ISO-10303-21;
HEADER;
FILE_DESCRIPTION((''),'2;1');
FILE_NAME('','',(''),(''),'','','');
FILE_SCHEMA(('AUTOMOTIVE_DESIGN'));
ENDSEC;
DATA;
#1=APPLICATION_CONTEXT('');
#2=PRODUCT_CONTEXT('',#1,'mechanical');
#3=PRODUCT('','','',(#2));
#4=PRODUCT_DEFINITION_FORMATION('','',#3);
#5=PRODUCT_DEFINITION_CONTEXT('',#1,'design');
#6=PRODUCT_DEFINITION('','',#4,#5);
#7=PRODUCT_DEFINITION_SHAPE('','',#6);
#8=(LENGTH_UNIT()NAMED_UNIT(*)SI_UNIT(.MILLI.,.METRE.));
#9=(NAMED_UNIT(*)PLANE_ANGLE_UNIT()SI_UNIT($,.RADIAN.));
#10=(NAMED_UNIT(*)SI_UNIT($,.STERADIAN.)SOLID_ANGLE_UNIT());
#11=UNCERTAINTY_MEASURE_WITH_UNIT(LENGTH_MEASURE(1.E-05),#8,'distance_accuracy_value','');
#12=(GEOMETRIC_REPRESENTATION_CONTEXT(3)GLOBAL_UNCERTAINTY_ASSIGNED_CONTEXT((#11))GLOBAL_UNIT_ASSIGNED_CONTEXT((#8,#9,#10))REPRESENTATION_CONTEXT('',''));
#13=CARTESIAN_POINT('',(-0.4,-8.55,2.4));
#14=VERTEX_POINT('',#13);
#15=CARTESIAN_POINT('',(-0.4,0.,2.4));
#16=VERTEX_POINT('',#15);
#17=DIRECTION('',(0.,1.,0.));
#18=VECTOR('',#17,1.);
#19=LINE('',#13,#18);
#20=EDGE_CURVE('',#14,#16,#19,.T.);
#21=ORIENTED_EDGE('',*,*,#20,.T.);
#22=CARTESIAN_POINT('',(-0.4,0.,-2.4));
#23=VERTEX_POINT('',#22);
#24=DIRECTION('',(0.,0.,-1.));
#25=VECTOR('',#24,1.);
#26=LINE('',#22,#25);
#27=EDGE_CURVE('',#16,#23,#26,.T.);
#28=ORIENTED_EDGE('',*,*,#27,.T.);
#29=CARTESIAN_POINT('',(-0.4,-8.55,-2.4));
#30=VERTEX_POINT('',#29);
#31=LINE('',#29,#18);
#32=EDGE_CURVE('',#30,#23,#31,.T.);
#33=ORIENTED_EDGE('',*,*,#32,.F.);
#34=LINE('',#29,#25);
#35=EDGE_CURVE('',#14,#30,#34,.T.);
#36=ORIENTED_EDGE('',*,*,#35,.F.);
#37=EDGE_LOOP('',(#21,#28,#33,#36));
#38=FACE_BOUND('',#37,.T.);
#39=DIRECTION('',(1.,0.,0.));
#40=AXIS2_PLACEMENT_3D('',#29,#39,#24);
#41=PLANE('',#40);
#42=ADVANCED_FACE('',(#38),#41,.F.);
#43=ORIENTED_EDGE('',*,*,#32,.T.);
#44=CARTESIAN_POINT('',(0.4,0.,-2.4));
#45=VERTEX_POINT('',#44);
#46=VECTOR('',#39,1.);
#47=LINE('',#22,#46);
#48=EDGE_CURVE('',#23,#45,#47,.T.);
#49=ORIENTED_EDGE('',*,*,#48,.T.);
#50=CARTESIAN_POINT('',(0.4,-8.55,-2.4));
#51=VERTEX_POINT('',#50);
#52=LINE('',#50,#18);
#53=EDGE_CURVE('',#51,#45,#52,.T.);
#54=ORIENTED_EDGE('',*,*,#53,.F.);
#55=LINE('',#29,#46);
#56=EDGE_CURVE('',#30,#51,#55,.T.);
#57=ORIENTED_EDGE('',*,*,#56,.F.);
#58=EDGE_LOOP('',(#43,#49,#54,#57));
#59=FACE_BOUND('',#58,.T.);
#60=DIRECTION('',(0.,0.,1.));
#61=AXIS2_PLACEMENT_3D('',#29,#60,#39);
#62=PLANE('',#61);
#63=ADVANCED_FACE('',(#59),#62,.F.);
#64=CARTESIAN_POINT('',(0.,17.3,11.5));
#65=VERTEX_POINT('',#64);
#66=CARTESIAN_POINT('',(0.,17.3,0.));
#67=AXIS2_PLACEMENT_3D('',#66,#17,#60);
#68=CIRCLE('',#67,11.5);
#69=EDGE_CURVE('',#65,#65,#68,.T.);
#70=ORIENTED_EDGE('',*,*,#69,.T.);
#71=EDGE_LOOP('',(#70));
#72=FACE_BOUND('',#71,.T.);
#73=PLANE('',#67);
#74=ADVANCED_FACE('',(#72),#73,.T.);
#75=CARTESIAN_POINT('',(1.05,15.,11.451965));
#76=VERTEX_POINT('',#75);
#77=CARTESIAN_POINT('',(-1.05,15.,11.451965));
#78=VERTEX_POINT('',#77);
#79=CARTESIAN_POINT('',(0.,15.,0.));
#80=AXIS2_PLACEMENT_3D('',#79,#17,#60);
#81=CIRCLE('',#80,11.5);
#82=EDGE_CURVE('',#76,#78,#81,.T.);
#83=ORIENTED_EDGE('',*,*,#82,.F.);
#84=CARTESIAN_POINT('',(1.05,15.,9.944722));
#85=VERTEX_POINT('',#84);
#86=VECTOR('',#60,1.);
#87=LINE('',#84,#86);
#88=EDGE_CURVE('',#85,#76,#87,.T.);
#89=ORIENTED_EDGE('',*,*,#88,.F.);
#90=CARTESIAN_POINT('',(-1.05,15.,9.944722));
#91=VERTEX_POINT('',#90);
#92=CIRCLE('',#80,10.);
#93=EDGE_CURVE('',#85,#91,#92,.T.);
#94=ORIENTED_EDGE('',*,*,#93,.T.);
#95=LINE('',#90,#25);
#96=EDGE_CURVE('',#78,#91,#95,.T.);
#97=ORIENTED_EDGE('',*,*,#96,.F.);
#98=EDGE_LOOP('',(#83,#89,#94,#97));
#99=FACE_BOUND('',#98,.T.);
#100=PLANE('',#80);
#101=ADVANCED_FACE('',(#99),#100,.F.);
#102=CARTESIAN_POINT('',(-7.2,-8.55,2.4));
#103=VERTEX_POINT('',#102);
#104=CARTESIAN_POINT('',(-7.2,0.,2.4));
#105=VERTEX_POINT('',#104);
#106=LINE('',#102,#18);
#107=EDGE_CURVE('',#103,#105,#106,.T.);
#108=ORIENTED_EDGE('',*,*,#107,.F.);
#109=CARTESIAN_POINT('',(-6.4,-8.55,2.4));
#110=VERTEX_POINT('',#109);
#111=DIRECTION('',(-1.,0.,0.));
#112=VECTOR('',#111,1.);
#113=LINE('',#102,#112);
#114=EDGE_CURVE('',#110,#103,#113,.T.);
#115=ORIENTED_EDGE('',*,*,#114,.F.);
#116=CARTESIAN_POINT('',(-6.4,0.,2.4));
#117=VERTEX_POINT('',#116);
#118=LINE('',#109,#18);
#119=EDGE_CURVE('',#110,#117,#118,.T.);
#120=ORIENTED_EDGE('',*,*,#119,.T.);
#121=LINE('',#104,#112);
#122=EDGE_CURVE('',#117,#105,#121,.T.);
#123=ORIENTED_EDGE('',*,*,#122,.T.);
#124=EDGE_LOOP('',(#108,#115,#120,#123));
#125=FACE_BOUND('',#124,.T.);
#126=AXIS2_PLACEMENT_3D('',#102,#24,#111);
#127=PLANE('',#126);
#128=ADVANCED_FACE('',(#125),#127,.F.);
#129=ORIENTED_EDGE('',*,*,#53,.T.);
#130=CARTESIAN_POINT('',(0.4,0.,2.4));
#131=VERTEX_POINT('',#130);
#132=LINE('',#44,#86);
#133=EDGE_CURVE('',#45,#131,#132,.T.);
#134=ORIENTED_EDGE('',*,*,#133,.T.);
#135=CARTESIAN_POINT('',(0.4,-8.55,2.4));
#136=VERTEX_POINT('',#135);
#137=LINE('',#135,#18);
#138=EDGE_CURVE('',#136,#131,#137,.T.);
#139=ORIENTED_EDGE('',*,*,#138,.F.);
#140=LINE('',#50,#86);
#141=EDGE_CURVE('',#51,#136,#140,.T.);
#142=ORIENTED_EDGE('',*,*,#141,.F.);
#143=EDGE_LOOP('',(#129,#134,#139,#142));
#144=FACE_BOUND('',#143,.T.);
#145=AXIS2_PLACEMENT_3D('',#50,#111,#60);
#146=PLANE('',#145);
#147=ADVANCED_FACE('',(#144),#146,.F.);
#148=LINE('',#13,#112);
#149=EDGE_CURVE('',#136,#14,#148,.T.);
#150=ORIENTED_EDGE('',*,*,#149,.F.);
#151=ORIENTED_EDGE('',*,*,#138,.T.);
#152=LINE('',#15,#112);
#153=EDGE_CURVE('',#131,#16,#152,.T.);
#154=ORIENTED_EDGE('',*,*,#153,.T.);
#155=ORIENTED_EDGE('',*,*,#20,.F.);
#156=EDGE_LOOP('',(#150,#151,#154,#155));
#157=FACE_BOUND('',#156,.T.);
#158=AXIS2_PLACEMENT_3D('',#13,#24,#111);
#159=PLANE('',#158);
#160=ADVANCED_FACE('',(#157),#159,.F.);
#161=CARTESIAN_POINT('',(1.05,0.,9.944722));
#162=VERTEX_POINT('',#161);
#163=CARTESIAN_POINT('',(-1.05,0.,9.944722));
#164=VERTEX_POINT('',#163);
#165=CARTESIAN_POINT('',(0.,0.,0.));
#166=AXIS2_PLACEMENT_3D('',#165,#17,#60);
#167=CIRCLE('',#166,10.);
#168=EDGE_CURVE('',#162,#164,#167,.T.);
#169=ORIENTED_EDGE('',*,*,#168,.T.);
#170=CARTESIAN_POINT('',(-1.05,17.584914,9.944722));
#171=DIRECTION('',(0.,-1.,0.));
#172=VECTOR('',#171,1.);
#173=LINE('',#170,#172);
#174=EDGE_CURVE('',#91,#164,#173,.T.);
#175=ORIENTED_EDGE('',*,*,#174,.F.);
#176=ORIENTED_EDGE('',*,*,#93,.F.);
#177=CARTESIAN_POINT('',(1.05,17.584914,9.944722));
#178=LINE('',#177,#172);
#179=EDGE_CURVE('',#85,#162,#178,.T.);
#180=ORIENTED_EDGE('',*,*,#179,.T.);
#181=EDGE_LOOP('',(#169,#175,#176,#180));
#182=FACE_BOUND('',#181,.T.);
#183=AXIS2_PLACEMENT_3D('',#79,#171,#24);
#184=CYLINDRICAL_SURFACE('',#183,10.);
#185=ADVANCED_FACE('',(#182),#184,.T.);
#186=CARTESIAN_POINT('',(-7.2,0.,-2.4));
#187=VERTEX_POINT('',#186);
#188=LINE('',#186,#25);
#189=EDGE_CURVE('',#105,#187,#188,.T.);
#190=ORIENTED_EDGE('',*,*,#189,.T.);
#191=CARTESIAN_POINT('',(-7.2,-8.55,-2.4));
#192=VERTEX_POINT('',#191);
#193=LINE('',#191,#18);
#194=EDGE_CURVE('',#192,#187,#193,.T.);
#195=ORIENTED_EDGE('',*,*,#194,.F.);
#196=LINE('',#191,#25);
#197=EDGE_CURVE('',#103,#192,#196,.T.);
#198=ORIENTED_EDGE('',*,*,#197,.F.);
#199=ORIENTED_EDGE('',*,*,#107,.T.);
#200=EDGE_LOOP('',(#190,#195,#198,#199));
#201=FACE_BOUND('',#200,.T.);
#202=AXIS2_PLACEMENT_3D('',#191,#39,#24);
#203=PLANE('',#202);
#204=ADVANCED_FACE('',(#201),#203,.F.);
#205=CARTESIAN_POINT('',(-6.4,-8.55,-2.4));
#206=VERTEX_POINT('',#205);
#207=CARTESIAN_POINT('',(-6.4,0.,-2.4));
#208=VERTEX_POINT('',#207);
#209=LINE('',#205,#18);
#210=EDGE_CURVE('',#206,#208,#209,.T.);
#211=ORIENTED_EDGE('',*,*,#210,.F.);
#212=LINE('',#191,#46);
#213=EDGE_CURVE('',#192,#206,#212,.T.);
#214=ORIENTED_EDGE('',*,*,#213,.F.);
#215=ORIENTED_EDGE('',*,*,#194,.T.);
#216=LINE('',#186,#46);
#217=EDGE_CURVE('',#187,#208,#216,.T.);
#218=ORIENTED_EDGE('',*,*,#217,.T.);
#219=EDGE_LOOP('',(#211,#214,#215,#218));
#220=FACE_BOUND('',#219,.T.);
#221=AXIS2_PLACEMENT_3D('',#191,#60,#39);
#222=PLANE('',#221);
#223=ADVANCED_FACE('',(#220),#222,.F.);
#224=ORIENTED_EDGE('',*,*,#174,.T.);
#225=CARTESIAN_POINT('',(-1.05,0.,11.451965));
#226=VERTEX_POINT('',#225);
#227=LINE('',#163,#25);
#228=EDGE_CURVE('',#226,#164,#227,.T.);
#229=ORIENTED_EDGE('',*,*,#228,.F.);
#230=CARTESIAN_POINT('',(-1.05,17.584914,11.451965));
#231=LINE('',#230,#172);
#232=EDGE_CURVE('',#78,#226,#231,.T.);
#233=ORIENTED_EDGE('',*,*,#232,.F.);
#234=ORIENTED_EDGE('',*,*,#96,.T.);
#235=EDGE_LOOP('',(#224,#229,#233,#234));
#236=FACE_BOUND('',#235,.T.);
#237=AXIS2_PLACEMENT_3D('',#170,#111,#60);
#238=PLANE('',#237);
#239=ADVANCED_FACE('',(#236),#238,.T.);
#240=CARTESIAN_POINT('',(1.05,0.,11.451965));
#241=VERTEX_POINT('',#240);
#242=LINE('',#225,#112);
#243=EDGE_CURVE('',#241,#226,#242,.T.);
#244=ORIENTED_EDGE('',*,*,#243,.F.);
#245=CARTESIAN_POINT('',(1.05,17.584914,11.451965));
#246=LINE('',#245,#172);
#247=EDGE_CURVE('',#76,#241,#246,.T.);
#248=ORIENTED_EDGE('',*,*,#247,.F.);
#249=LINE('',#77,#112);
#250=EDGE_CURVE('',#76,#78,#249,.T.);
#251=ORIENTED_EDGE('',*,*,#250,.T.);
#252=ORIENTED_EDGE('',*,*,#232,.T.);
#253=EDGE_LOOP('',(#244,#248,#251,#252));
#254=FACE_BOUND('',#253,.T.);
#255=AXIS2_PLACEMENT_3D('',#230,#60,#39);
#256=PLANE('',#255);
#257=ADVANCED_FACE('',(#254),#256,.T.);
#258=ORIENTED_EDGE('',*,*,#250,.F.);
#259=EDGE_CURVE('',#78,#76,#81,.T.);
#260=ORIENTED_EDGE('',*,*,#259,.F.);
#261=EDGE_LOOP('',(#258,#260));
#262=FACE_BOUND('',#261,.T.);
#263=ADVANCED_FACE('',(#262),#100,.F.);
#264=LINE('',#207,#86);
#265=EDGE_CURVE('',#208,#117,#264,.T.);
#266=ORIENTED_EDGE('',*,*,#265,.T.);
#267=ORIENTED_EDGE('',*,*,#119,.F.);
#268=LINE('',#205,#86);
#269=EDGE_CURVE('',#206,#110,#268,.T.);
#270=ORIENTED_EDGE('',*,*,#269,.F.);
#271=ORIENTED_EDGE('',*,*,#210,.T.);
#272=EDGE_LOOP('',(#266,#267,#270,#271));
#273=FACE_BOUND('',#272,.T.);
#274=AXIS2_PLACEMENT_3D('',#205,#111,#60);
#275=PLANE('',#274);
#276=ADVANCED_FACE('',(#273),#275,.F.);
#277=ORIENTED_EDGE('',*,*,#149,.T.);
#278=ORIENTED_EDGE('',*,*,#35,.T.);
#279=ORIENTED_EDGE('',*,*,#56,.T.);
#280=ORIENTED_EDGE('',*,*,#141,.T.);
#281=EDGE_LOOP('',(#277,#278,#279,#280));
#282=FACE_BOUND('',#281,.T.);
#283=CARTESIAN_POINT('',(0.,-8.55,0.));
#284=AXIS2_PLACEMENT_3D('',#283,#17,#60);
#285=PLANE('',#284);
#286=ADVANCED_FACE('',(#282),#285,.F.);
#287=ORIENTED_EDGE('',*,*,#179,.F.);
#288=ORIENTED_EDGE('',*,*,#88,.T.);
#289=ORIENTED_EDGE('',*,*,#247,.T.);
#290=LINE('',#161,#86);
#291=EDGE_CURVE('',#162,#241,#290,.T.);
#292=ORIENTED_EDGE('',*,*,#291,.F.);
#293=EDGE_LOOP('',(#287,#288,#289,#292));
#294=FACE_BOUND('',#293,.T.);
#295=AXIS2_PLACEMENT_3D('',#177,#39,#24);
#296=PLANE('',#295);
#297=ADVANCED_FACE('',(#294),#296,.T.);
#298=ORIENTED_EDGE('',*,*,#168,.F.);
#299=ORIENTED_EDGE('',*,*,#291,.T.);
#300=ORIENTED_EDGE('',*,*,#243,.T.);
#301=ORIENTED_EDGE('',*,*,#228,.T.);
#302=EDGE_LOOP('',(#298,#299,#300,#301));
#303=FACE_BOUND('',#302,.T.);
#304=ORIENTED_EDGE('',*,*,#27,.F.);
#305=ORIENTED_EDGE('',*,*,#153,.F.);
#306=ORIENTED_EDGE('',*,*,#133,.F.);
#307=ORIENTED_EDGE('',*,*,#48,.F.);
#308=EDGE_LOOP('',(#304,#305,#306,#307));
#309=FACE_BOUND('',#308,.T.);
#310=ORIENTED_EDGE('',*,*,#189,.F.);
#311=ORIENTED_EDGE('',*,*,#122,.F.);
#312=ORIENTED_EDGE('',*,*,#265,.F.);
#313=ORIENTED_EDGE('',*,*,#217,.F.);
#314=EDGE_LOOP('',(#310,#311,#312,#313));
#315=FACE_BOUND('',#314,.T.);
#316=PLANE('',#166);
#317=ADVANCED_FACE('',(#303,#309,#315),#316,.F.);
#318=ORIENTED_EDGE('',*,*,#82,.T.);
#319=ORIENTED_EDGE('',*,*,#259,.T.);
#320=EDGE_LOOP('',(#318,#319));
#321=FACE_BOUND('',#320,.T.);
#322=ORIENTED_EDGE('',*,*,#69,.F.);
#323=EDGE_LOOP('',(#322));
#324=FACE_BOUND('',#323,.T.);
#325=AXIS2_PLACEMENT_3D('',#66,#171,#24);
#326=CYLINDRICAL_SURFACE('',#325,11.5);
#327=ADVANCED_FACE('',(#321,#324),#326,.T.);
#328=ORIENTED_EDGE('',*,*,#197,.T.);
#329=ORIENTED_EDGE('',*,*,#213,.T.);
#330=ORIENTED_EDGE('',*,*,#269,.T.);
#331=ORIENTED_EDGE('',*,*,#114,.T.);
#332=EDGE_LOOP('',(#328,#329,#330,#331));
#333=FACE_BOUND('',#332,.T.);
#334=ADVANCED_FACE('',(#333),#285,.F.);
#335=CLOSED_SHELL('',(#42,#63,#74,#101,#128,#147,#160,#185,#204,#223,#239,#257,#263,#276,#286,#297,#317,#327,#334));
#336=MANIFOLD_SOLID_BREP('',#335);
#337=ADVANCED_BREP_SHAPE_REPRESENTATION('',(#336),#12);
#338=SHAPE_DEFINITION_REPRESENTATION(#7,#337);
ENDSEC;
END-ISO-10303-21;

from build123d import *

# Parameters (mm, degrees)
SKETCH2_R           = 10
BOSS_EXTRUDE1_DEPTH = 15
SKETCH3_R           = 11.5
BOSS_EXTRUDE2_DEPTH = 2.3
SKETCH4_W           = 0.8
SKETCH4_H           = 4.8
BOSS_EXTRUDE3_DEPTH = 8.55
BOSS_EXTRUDE4_DEPTH = 15


with BuildPart() as part:
    # Sketch2 → Boss-Extrude1 (new body)
    with BuildSketch(Plane(origin=(0, 0, 0), x_dir=(1, 0, 0), z_dir=(0, 1, 0))):
        with Locations(Location((0, 0, 0), (0, 0, 270))):
            Circle(SKETCH2_R)
    extrude(amount=BOSS_EXTRUDE1_DEPTH)

    # Sketch3 → Boss-Extrude2 (add)
    with BuildSketch(Plane(origin=(0, 15, 0), x_dir=(1, 0, 0), z_dir=(0, 1, 0))):
        with Locations(Location((0, 0, 0), (0, 0, 270))):
            Circle(SKETCH3_R)
    extrude(amount=BOSS_EXTRUDE2_DEPTH)

    # Sketch4 → Boss-Extrude3 (add)
    with BuildSketch(Plane.XZ):
        Rectangle(SKETCH4_W, SKETCH4_H)
        with Locations((-6.8, 0)):
            Rectangle(SKETCH4_W, SKETCH4_H)
    extrude(amount=BOSS_EXTRUDE3_DEPTH)

    # Sketch5 → Boss-Extrude4 (add)
    with BuildSketch(Plane.XZ):
        with BuildLine():
            Line((-1.05, 9.944722218), (-1.05, 11.451964897))
            Line((-1.05, 11.451964897), (1.05, 11.451964897))
            Line((1.05, 11.451964897), (1.05, 9.944722218))
            ThreePointArc((1.05, 9.944722218), (0, 10), (-1.05, 9.944722218))
        make_face()
    extrude(amount=-BOSS_EXTRUDE4_DEPTH)


solid = part.part
